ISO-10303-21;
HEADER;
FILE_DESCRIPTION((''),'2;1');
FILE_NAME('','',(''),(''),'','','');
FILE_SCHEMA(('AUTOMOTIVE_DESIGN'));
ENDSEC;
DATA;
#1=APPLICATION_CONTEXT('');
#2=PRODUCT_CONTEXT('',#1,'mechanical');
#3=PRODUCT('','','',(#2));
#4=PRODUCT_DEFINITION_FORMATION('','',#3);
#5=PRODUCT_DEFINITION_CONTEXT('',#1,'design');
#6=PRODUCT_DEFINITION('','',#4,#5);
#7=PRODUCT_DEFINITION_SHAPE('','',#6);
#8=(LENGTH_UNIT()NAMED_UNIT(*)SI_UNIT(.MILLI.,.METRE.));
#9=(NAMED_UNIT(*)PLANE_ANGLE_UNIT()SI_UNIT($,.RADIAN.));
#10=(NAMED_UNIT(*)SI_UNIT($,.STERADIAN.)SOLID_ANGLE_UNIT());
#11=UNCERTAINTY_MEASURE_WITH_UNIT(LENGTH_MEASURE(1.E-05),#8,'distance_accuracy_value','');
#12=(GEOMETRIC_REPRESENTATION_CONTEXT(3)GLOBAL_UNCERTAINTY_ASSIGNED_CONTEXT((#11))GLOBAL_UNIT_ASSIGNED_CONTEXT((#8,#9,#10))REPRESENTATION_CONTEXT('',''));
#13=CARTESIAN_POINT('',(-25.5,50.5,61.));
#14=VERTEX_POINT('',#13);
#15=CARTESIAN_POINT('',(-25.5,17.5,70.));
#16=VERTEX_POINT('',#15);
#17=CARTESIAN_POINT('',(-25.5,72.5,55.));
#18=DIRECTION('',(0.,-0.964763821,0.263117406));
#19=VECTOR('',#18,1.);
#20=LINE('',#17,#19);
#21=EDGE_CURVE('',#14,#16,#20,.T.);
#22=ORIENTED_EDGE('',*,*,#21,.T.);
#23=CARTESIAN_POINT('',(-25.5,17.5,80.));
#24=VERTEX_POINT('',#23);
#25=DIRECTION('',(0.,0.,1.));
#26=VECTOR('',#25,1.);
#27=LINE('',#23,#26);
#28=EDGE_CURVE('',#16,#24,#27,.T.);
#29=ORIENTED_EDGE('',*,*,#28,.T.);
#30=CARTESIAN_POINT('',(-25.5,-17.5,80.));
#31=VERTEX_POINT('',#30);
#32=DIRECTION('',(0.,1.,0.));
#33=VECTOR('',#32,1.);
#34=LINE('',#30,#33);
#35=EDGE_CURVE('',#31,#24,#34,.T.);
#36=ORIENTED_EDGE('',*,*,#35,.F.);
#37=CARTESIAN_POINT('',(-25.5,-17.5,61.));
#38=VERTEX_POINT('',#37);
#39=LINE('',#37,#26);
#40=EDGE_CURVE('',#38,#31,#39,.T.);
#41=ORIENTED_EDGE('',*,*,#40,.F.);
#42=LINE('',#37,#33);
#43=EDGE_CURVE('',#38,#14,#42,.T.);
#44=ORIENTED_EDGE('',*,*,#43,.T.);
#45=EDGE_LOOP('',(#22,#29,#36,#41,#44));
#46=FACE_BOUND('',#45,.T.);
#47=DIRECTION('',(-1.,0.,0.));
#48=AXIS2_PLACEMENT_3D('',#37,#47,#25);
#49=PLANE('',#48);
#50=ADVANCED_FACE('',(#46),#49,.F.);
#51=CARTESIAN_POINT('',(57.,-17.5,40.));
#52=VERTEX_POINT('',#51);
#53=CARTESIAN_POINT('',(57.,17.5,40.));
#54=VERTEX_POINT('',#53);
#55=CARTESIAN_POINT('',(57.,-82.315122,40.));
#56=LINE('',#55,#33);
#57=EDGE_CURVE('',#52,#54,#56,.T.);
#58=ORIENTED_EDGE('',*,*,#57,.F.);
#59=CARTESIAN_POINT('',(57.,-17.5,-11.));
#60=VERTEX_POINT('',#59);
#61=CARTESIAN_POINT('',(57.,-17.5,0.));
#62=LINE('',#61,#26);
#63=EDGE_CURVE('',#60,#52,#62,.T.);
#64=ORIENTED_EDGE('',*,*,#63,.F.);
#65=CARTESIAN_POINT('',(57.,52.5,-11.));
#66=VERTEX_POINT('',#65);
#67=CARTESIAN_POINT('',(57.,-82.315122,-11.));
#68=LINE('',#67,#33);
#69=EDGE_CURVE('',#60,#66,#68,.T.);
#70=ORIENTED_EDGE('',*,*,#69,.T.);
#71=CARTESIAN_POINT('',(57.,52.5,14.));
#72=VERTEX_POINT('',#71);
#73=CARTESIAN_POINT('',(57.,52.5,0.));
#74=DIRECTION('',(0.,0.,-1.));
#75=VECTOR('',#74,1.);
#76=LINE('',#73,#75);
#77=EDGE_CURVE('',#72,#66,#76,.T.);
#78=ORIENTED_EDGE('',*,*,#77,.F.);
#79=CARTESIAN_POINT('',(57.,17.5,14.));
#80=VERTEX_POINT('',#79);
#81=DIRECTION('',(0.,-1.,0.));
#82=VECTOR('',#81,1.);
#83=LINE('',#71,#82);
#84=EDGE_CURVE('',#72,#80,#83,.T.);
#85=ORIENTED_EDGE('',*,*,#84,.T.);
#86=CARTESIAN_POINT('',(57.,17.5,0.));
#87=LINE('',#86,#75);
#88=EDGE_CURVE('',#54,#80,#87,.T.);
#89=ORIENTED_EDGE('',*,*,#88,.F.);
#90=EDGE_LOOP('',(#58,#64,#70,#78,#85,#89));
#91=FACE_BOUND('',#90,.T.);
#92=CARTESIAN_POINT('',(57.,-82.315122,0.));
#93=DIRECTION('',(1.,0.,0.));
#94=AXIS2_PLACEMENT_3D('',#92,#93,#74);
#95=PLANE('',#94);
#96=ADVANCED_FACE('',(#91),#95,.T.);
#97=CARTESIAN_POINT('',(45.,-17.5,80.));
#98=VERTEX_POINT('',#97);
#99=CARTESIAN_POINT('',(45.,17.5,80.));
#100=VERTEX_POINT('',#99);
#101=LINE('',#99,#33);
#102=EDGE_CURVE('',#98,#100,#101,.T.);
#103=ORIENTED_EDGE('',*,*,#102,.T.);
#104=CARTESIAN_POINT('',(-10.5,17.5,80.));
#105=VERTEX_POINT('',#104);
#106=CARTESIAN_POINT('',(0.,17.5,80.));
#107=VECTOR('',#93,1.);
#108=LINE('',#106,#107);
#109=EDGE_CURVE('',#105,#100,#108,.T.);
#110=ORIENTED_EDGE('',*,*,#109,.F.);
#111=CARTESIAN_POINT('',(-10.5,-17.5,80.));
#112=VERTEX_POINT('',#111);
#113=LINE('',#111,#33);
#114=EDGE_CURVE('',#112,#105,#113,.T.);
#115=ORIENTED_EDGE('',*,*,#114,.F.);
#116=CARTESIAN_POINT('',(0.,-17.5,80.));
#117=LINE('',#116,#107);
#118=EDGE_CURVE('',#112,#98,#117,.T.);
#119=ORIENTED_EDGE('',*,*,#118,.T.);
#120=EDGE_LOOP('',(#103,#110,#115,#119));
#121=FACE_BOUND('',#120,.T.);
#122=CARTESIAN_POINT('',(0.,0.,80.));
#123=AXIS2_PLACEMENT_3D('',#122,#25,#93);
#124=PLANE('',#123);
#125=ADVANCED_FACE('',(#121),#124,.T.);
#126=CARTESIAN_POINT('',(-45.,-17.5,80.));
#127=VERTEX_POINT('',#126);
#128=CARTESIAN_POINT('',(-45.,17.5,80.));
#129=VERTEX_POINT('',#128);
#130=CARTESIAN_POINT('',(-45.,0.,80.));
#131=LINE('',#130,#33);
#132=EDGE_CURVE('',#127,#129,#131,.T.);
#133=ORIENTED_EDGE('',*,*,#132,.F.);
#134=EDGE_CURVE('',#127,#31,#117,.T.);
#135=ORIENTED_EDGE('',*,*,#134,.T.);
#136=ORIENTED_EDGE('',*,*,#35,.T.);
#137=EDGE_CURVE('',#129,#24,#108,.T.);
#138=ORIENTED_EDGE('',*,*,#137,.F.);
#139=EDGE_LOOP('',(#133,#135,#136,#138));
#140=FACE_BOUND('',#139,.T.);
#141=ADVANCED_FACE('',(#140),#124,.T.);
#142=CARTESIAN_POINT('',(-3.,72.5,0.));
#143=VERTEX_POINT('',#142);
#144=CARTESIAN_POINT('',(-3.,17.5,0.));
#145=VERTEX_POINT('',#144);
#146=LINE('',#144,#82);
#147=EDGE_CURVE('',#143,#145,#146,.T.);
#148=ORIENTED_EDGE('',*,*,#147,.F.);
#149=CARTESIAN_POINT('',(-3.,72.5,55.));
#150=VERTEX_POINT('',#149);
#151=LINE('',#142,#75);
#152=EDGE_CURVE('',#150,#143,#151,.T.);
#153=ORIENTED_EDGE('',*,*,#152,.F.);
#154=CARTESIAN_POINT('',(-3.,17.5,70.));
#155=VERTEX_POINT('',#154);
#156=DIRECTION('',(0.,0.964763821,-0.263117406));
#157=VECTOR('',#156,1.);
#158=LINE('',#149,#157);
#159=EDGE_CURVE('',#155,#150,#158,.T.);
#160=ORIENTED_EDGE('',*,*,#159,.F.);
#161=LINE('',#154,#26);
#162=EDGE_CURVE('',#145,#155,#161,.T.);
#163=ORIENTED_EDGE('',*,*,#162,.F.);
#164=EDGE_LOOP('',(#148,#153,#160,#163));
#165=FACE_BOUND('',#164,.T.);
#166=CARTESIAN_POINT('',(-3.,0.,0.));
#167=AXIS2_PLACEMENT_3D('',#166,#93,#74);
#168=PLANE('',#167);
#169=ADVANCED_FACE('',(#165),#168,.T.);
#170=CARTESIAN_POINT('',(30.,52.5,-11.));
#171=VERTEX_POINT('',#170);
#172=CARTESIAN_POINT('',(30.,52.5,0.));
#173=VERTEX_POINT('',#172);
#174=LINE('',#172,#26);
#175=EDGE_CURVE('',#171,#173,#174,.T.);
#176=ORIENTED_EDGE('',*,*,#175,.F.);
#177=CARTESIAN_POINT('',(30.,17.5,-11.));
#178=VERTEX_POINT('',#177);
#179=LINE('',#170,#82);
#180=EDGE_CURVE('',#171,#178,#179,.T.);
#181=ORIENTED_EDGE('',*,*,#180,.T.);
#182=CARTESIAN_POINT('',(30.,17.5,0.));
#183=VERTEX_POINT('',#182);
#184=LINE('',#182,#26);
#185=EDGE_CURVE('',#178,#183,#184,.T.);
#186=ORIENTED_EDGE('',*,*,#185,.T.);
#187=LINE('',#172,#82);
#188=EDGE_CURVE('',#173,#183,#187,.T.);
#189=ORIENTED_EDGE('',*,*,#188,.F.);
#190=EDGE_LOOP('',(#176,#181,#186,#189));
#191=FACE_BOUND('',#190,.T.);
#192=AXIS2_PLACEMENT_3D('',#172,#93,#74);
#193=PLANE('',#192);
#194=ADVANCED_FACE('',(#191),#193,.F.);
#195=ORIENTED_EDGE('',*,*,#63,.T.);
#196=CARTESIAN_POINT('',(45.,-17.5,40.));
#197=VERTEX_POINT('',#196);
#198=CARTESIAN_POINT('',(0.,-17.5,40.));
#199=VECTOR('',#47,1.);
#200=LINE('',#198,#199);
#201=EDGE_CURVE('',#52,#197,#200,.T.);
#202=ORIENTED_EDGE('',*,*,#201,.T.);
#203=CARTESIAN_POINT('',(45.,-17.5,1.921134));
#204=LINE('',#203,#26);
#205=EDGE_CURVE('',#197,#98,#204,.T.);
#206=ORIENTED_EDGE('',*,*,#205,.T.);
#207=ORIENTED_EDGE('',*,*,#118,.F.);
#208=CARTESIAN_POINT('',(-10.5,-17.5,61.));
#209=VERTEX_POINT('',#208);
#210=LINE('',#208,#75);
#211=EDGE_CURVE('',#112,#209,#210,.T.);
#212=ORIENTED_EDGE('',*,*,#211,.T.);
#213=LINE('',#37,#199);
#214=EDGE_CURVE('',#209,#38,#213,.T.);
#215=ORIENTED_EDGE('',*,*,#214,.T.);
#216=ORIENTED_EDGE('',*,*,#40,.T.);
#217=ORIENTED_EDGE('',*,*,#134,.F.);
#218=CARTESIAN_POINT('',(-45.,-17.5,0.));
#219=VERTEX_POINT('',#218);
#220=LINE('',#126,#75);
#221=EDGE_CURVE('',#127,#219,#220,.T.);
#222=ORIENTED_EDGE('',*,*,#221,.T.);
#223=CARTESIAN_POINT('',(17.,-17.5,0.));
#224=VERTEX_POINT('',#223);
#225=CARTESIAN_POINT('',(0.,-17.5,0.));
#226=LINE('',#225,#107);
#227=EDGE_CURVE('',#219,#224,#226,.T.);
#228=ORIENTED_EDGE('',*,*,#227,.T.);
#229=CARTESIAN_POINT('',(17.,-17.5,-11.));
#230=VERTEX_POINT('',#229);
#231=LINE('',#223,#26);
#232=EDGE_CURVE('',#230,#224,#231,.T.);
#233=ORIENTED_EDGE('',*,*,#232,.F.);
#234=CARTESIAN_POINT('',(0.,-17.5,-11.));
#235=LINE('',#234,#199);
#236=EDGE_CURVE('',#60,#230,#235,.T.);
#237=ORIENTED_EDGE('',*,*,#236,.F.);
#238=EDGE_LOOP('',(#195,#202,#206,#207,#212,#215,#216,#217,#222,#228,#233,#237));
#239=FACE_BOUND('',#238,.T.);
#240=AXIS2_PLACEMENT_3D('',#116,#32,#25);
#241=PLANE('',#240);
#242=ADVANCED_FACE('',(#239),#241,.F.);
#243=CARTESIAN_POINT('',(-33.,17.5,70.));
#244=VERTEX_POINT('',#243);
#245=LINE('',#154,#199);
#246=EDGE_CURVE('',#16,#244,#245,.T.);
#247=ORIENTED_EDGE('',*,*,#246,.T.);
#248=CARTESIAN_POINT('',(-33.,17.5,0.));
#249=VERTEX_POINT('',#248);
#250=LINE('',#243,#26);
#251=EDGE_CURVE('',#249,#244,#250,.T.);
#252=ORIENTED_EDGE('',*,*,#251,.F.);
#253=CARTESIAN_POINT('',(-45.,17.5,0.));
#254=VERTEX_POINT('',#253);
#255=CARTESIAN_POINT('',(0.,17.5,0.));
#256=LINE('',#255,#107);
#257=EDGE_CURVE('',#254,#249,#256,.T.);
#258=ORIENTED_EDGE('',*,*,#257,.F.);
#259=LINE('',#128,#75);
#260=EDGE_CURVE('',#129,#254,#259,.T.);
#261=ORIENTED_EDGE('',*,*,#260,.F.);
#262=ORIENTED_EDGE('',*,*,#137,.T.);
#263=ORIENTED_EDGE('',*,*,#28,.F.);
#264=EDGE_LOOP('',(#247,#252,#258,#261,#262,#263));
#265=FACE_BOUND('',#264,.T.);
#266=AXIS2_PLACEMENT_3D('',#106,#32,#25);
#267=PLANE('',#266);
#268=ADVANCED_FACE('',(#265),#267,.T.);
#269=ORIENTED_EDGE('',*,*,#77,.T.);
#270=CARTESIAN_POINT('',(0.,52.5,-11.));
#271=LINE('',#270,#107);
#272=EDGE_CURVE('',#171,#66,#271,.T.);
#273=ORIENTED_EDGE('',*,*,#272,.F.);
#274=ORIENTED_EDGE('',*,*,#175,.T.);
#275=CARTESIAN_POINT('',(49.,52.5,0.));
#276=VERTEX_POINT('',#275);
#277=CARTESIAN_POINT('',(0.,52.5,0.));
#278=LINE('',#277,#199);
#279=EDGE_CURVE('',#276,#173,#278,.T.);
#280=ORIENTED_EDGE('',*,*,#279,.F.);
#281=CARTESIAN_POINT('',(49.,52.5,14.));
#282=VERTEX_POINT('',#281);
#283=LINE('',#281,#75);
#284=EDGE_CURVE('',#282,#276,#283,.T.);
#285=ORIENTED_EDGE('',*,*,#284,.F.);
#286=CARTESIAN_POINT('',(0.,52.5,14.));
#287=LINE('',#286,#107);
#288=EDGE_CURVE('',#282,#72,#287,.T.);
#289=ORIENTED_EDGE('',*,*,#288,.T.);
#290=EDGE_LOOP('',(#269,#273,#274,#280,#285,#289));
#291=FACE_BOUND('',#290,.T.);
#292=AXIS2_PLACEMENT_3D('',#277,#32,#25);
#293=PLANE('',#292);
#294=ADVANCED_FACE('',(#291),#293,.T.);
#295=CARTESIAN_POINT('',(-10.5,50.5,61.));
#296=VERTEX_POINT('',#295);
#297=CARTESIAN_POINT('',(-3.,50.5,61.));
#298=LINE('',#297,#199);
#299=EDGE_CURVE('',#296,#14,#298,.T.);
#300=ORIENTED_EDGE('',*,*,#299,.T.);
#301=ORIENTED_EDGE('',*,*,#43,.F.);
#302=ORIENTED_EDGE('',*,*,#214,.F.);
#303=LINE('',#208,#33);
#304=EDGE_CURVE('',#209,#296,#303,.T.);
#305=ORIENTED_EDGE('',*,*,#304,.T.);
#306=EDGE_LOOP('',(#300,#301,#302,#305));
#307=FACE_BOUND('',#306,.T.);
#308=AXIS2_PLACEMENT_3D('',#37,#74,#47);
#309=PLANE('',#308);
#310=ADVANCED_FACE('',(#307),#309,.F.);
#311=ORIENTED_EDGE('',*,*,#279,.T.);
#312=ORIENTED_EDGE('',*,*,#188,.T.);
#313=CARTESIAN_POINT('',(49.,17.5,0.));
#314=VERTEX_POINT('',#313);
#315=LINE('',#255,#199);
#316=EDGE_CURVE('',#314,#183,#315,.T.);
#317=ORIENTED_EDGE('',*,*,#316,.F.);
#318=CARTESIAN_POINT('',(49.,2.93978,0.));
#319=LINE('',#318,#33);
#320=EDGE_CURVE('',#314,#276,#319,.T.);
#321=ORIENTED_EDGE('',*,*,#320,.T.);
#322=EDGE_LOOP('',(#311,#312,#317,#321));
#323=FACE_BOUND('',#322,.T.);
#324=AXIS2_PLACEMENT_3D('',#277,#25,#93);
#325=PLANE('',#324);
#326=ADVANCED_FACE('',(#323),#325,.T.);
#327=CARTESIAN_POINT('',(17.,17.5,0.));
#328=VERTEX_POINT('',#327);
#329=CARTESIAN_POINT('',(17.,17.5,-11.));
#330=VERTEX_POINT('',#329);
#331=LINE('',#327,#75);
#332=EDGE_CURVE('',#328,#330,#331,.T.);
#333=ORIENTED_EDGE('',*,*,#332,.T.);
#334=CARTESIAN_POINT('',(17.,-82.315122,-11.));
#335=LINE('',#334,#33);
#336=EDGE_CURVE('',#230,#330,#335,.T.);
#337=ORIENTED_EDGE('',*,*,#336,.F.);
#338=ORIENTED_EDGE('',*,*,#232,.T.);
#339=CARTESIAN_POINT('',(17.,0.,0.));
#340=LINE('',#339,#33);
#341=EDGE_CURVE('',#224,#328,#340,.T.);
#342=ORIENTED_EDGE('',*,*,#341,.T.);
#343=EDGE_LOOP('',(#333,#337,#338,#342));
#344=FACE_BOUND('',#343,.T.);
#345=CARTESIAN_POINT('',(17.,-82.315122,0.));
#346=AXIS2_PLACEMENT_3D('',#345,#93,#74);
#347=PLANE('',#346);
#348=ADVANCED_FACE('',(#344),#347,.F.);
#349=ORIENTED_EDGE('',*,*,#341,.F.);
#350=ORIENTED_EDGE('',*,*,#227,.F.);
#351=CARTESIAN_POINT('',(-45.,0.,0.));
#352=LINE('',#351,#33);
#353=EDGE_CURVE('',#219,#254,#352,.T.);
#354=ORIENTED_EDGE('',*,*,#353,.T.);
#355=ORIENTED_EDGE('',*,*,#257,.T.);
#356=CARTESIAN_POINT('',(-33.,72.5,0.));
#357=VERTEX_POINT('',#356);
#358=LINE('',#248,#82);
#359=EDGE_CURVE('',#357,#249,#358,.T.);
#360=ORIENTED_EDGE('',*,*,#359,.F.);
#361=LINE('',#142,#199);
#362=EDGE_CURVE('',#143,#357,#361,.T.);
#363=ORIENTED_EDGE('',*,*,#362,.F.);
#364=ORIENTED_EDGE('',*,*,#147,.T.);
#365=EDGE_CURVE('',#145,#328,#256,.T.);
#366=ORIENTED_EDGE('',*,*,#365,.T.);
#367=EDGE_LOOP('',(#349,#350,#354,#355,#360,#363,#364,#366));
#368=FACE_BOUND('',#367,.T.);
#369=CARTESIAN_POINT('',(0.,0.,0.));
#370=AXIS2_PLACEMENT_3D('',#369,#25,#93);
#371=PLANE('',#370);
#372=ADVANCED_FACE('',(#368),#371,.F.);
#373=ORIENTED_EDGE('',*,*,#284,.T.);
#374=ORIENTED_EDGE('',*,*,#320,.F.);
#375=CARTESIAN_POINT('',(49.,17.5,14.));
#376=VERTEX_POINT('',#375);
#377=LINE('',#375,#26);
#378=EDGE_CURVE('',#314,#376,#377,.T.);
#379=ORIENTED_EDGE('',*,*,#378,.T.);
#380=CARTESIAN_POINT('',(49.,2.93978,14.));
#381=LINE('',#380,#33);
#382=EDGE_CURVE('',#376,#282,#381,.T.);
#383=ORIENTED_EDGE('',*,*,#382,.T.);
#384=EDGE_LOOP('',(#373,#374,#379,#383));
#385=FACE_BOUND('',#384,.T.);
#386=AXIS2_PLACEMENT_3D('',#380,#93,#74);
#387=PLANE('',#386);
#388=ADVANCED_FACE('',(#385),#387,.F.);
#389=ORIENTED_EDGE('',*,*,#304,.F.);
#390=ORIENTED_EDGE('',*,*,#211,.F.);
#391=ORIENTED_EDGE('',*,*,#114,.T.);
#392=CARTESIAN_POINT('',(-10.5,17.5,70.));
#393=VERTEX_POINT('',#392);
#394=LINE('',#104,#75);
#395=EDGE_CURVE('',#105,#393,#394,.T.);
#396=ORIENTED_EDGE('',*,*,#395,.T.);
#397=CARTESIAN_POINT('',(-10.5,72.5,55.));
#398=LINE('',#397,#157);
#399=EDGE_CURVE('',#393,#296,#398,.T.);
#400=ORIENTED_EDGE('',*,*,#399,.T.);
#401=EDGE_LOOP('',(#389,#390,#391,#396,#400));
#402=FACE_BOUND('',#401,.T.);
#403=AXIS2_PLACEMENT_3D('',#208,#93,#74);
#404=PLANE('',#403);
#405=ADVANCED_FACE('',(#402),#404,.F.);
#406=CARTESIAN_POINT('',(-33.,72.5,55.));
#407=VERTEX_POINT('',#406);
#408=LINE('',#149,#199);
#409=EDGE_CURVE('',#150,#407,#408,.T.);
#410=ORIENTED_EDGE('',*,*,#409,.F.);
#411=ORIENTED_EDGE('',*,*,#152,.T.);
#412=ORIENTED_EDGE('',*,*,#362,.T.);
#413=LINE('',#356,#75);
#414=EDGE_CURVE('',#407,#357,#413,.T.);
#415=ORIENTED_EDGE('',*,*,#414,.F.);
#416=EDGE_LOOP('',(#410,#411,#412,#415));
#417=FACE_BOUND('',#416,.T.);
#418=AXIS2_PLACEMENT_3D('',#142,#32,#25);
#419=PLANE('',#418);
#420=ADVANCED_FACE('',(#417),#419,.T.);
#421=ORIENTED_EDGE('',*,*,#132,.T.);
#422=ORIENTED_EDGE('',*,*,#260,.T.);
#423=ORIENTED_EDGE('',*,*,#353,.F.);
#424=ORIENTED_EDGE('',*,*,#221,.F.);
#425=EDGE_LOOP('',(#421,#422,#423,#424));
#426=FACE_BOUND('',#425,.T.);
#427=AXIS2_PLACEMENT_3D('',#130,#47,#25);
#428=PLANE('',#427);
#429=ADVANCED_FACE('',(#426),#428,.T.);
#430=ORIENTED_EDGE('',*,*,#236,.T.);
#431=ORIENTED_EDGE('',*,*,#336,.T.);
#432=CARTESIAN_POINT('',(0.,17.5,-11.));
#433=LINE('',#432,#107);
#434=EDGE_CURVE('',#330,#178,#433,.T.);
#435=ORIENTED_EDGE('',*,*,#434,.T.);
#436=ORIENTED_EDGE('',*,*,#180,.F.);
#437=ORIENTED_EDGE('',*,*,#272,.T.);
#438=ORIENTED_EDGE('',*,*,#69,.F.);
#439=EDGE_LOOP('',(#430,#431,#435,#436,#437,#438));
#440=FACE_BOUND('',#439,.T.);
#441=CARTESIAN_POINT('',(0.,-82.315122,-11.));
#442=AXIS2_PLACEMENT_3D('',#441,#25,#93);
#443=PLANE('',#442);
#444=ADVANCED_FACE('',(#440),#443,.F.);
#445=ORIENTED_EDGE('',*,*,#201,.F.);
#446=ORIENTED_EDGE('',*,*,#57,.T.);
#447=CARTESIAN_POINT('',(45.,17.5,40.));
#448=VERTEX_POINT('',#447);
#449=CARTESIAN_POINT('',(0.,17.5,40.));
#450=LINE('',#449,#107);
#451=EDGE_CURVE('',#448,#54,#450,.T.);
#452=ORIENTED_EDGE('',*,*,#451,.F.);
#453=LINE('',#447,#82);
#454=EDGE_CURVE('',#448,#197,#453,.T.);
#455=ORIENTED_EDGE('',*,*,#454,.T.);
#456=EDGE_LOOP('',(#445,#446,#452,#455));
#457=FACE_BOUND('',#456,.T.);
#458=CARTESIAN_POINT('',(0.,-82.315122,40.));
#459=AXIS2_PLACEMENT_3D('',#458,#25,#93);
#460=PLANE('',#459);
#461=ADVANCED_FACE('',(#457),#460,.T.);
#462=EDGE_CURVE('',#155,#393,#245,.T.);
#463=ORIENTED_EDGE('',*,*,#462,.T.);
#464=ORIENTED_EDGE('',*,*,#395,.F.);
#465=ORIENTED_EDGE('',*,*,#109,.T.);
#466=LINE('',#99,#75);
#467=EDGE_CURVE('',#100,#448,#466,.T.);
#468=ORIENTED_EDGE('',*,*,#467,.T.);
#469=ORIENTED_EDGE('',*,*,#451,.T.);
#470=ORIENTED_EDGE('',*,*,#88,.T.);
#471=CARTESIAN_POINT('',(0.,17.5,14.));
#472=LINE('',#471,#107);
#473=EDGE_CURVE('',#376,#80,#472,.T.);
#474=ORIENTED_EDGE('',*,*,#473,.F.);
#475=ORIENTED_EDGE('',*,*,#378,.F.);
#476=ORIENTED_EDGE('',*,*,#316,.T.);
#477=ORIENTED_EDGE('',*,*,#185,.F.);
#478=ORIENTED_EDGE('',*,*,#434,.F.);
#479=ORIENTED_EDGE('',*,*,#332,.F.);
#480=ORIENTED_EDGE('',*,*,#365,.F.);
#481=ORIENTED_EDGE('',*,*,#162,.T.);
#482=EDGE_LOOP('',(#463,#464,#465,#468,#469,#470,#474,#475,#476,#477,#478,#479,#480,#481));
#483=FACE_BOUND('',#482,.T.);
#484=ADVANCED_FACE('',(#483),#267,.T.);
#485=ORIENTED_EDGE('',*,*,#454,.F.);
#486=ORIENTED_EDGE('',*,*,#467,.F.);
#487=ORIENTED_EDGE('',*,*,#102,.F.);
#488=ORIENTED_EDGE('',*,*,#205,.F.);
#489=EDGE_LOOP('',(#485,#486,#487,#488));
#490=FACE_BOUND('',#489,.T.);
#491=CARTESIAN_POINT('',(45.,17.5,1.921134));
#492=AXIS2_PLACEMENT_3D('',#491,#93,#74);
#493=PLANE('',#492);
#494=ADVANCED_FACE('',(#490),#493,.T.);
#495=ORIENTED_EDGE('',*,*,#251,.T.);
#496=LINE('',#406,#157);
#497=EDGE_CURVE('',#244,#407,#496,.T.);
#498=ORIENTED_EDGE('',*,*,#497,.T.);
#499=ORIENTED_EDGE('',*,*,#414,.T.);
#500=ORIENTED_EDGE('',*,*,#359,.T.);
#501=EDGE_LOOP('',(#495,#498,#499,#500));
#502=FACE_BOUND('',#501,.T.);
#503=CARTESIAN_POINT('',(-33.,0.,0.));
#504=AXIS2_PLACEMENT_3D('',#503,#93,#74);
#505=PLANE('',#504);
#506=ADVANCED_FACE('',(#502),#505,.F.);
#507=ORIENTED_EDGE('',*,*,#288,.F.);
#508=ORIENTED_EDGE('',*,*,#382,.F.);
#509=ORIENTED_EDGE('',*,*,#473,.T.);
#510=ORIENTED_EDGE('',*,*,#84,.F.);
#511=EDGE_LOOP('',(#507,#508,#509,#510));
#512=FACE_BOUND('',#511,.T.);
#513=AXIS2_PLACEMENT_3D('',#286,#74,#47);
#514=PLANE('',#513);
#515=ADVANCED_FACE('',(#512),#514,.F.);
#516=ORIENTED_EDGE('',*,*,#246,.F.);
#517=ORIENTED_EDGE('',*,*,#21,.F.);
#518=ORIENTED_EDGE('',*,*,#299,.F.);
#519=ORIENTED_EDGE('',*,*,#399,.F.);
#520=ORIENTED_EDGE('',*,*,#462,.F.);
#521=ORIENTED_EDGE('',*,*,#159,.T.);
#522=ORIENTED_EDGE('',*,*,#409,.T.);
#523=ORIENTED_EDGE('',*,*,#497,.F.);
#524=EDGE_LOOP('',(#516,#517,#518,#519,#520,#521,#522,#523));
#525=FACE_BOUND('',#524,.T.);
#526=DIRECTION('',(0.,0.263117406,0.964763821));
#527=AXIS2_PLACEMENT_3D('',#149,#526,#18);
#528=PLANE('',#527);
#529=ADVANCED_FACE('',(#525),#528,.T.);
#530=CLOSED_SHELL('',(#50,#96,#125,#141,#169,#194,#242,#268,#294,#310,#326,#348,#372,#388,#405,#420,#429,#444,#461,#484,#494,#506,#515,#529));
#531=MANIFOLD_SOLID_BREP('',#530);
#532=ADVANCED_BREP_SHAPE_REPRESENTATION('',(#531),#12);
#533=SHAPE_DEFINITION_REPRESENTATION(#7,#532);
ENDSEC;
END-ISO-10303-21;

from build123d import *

# Parameters (mm, degrees)
EXTRUDE_1_DEPTH     = 80
EXTRUDE_START       = -12
EXTRUDE_2_DEPTH     = 30
SKETCH_3_W          = 15
SKETCH_3_H          = 19
CUT_EXTRUDE_1_DEPTH = 129.549601322
SKETCH_4_W          = 12
SKETCH_4_H          = 26
SKETCH_4_W_2        = 13
SKETCH_4_H_2        = 11
EXTRUDE_3_DEPTH     = 35
EXTRUDE_4_DEPTH     = 35
SKETCH_5_W          = 4
SKETCH_5_H          = 14
CUT_EXTRUDE_2_DEPTH = 35
EXTRUDE_5_DEPTH     = 40


with BuildPart() as part:
    # Эскиз1 → Бобышка-Вытянуть1 (new body)
    with BuildSketch(Plane.XY):
        Polygon((-45, -17.5), (30, -17.5), (45, 17.5), (-45, 17.5), align=None)
    extrude(amount=EXTRUDE_1_DEPTH)

    # Эскиз2 → Бобышка-Вытянуть2 (add)
    with BuildSketch(Plane.ZY.offset(45).offset(EXTRUDE_START)):
        Polygon((0, 17.5), (0, 72.5), (55, 72.5), (70, 17.5), align=None)
    extrude(amount=-EXTRUDE_2_DEPTH)

    # Эскиз3 → Вырез-Вытянуть1 (cut, through all)
    with BuildSketch(Plane(origin=(0, 72.5, 0), x_dir=(1, 0, 0), z_dir=(0, 1, 0))):
        with Locations((-18, -70.5)):
            Rectangle(SKETCH_3_W, SKETCH_3_H)
    extrude(amount=-CUT_EXTRUDE_1_DEPTH, mode=Mode.SUBTRACT)

    # Эскиз4 → Бобышка-Вытянуть3 (add)
    with BuildSketch(Plane(origin=(0, 17.5, 0), x_dir=(1, 0, 0), z_dir=(0, 1, 0))):
        Polygon((17, 0), (17, -40), (45, -40), (45, -14), (45, 0), (30, 0), align=None)
        with Locations((51, -27)):
            Rectangle(SKETCH_4_W, SKETCH_4_H)
        Polygon((45, 0), (45, -14), (57, -14), (57, 11), (30, 11), (30, 0), align=None)
        with Locations((23.5, 5.5)):
            Rectangle(SKETCH_4_W_2, SKETCH_4_H_2)
    extrude(amount=-EXTRUDE_3_DEPTH)

    # Эскиз4<3> → Бобышка-Вытянуть4 (add)
    with BuildSketch(Plane(origin=(0, 17.5, 0), x_dir=(1, 0, 0), z_dir=(0, 1, 0))):
        Polygon((45, 0), (45, -14), (57, -14), (57, 11), (30, 11), (30, 0), align=None)
    extrude(amount=EXTRUDE_4_DEPTH)

    # Эскиз5 → Вырез-Вытянуть2 (cut)
    with BuildSketch(Plane(origin=(0, 52.5, 0), x_dir=(1, 0, 0), z_dir=(0, 1, 0))):
        with Locations((47, -7)):
            Rectangle(SKETCH_5_W, SKETCH_5_H)
    extrude(amount=-CUT_EXTRUDE_2_DEPTH, mode=Mode.SUBTRACT)

    # Эскиз6 → Бобышка-Вытянуть5 (add)
    with BuildSketch(Plane.XY.offset(80)):
        Polygon((30, -17.5), (45, 17.5), (45, -17.5), align=None)
    extrude(amount=-EXTRUDE_5_DEPTH)


solid = part.part
